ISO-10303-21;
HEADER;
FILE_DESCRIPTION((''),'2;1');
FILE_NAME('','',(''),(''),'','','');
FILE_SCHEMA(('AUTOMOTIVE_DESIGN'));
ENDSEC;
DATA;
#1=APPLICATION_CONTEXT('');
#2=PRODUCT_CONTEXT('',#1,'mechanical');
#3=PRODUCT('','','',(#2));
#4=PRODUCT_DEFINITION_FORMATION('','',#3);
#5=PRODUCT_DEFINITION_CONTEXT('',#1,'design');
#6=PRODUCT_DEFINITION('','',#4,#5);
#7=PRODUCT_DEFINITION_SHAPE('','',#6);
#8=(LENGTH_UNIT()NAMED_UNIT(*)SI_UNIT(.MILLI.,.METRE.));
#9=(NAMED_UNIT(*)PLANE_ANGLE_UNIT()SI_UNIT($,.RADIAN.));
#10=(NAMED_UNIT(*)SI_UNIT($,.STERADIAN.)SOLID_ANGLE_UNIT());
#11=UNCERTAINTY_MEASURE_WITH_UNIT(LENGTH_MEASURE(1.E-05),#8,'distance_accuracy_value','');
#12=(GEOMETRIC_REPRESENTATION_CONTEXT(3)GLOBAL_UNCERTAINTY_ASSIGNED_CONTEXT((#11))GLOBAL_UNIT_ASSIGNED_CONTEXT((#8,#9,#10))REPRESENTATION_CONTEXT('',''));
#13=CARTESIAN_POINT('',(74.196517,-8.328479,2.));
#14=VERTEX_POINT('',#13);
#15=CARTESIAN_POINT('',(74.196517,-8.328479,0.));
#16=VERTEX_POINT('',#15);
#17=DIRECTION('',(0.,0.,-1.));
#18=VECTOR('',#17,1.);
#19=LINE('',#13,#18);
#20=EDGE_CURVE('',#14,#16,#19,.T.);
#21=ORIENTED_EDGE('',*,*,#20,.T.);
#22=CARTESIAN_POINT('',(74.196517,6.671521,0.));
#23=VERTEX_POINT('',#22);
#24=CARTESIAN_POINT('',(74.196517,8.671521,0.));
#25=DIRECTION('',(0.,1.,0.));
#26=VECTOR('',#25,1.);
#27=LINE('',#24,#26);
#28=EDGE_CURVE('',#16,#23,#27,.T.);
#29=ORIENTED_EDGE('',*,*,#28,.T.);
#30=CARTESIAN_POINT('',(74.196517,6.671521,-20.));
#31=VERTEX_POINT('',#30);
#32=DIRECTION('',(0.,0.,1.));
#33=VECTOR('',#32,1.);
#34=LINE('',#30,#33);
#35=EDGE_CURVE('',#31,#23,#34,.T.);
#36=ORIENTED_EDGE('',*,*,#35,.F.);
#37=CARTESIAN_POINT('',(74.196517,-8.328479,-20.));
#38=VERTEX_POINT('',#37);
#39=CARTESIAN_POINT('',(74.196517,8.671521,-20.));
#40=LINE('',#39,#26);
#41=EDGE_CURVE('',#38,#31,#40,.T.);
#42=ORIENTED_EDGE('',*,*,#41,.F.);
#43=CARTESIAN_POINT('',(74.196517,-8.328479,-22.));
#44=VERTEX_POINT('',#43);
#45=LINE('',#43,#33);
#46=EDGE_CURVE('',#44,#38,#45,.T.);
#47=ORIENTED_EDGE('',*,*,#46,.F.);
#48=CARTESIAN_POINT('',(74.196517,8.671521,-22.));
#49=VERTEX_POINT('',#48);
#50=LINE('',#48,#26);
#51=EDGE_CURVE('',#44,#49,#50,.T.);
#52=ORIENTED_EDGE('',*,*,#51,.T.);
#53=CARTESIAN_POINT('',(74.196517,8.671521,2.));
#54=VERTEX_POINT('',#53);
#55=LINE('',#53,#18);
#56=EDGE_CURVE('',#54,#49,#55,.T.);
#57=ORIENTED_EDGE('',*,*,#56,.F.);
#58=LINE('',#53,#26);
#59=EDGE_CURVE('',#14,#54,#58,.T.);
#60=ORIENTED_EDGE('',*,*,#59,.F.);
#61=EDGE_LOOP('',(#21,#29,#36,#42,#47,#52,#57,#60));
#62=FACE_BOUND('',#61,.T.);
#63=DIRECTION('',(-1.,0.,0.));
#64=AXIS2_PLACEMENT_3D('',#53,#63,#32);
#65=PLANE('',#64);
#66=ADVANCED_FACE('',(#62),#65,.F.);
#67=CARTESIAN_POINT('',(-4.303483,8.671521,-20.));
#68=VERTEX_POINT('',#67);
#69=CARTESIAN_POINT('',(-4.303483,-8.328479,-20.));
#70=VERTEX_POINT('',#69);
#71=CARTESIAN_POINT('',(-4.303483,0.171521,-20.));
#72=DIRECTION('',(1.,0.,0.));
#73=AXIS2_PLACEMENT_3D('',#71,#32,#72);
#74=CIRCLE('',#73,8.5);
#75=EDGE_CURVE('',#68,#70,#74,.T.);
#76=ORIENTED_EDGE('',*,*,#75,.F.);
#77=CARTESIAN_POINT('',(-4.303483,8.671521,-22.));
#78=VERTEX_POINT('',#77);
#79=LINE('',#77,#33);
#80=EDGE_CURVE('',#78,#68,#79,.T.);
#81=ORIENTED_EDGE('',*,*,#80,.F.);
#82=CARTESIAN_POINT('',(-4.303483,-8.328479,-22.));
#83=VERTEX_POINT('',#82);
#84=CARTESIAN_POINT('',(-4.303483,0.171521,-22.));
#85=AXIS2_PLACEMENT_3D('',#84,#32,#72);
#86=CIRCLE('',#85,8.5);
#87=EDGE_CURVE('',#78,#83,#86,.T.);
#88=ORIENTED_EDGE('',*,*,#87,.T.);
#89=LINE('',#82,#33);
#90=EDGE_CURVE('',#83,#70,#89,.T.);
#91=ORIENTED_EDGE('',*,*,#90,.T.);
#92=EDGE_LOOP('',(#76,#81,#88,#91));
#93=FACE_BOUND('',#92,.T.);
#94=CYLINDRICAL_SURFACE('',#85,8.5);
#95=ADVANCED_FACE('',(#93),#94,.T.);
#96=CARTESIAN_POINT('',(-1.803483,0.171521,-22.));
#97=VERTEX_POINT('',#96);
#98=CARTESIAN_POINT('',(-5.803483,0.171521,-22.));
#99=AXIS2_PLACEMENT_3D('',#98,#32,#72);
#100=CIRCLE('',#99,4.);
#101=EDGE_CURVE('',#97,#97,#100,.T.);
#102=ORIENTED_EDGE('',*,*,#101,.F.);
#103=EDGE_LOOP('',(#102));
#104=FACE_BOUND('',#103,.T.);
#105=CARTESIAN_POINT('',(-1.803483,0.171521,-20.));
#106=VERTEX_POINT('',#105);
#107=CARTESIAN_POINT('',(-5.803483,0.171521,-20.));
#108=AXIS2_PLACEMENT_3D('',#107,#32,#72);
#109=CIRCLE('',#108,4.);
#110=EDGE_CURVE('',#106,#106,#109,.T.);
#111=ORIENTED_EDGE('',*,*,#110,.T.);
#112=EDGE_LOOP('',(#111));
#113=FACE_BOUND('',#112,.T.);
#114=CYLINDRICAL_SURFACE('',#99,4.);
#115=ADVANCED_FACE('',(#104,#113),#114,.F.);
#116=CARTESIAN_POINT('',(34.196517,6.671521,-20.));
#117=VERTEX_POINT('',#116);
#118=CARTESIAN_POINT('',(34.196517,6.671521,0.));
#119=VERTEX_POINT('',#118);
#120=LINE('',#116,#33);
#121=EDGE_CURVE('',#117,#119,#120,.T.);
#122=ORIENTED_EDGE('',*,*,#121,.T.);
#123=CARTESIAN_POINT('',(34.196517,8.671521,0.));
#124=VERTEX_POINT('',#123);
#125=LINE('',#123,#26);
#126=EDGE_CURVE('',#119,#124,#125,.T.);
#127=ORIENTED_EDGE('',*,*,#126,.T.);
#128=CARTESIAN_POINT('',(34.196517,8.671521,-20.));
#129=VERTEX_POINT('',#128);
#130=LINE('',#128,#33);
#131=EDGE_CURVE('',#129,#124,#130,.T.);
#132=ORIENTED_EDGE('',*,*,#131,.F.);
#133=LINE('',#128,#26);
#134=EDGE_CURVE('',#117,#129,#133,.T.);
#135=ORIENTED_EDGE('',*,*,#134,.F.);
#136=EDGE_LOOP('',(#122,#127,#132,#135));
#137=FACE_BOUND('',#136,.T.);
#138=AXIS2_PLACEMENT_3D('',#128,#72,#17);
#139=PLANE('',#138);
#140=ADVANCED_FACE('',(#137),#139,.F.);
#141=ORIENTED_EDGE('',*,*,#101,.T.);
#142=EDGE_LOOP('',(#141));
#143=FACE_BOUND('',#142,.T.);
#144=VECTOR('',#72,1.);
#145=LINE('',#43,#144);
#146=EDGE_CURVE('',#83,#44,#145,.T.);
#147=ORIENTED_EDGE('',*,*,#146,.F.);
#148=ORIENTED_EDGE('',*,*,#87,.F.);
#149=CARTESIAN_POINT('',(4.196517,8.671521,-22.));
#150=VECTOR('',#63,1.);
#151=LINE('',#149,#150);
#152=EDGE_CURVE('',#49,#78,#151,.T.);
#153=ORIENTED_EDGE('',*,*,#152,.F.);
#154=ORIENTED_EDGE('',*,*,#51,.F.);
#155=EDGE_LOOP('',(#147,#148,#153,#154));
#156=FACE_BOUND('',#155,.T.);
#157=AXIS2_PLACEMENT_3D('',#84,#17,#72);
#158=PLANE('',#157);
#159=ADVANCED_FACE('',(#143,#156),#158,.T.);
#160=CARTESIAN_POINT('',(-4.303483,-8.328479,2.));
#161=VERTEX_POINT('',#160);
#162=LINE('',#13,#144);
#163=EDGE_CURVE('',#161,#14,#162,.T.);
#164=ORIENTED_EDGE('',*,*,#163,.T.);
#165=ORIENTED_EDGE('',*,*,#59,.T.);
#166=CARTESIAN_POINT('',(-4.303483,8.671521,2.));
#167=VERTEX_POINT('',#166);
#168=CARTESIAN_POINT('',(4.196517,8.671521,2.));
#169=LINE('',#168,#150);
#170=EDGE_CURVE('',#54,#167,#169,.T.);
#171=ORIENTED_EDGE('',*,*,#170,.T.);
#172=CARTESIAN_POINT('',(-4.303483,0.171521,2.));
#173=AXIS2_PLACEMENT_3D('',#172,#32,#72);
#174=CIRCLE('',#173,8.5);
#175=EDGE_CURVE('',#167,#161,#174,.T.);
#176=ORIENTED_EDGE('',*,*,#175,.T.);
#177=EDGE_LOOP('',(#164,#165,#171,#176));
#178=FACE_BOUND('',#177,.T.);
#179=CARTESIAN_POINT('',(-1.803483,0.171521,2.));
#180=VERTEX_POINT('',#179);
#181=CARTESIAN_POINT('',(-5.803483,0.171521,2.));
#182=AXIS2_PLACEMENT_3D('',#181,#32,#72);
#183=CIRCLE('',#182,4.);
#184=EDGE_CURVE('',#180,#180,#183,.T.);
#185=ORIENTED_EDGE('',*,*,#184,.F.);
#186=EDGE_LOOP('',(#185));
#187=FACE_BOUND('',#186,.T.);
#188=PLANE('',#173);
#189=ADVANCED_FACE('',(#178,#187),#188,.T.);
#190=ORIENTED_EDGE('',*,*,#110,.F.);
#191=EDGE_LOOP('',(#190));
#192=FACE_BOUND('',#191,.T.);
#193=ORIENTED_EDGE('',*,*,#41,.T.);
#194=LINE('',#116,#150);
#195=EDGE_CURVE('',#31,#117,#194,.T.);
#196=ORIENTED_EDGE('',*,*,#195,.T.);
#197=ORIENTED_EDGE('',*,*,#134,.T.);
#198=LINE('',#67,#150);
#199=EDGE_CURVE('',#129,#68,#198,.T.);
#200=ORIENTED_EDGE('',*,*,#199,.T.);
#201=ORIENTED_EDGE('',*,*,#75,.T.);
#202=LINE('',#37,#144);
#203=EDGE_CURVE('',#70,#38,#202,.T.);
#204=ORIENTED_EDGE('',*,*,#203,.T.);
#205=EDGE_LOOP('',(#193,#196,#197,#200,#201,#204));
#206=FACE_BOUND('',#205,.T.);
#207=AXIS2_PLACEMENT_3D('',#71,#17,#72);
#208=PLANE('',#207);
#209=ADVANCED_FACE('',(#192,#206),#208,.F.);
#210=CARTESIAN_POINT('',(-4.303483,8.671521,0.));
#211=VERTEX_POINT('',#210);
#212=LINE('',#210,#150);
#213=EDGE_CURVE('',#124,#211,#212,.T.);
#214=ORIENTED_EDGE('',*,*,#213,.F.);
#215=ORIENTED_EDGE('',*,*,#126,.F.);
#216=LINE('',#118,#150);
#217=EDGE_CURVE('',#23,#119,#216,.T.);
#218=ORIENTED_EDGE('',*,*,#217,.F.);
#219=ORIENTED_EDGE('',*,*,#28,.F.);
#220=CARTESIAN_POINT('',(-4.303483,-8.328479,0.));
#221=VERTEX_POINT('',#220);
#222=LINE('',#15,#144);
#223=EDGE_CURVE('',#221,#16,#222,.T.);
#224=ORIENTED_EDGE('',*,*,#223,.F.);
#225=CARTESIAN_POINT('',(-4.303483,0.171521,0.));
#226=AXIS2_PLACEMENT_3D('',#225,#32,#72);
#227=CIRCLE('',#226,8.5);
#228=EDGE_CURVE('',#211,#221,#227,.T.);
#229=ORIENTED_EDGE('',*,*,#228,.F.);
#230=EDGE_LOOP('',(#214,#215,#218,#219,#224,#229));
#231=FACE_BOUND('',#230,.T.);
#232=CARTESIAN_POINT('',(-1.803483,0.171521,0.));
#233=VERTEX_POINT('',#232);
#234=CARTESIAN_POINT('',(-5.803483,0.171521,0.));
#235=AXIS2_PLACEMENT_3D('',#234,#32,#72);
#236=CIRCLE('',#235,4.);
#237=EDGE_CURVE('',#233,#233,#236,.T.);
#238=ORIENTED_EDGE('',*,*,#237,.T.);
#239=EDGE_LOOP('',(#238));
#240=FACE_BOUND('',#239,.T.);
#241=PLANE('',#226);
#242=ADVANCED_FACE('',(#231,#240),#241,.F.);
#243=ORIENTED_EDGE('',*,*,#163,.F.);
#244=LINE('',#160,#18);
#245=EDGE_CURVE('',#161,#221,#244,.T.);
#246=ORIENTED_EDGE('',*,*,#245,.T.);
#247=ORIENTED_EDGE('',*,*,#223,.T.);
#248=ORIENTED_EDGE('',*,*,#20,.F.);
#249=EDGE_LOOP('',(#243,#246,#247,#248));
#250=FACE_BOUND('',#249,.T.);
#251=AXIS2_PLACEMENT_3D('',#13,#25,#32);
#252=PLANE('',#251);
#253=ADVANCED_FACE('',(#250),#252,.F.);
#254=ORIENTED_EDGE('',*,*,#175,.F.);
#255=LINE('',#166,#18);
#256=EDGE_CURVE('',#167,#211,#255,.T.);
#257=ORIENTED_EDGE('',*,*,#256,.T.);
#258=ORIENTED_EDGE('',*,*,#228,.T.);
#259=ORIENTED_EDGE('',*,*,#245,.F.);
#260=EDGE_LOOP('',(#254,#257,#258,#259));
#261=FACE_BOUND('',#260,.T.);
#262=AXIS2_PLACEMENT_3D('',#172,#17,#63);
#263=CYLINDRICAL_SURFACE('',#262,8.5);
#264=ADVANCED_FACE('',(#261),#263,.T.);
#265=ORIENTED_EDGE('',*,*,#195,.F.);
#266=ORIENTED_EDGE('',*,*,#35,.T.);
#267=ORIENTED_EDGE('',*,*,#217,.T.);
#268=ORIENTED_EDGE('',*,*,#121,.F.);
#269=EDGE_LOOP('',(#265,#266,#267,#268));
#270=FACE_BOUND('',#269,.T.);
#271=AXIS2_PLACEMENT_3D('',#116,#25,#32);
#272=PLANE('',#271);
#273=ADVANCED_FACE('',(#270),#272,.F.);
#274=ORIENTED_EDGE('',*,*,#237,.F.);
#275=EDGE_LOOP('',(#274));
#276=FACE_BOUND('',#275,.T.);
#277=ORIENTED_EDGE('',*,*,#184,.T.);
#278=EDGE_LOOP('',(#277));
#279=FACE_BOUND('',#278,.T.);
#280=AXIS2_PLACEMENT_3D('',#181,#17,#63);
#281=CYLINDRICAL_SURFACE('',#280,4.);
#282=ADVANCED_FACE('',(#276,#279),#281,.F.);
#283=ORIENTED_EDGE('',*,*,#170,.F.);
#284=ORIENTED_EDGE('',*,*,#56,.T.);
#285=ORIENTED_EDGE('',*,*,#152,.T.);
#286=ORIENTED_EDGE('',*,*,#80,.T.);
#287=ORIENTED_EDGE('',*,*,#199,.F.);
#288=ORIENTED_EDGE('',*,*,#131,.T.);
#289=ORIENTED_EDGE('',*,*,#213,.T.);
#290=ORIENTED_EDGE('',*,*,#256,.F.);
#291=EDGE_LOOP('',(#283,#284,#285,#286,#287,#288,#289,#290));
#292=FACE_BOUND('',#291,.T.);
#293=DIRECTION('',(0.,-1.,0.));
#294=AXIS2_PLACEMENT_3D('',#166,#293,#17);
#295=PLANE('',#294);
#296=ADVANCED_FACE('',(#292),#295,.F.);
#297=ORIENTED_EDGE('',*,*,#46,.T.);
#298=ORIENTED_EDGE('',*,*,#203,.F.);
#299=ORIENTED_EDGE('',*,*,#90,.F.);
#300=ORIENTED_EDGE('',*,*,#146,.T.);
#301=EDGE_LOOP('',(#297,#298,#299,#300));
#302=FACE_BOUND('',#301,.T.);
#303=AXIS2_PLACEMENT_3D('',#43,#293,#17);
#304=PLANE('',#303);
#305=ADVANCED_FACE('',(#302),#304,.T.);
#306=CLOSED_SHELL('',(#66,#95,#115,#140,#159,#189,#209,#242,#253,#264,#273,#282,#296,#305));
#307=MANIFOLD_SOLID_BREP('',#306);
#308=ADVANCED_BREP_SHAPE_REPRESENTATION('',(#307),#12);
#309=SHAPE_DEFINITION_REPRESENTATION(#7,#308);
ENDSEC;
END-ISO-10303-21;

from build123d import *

# Parameters (mm, degrees)
SKETCH_1_R      = 4
EXTRUDE_1_DEPTH = 2
SKETCH_2_W      = 40
SKETCH_2_H      = 2
EXTRUDE_2_DEPTH = 20


with BuildPart() as part:
    # 草图1 → 凸台-拉伸1 (new body)
    with BuildSketch(Plane.XY):
        with BuildLine():
            Line((-4.303483184, 8.671520648), (4.196516816, 8.671520648))
            Line((4.196516816, 8.671520648), (74.196516816, 8.671520648))
            Line((74.196516816, 8.671520648), (74.196516816, -8.328479352))
            Line((74.196516816, -8.328479352), (-4.303483184, -8.328479352))
            ThreePointArc((-4.303483184, -8.328479352), (-12.803483184, 0.171520648), (-4.303483184, 8.671520648))
        make_face()
        with Locations((-5.803483184, 0.171520648)):
            Circle(SKETCH_1_R, mode=Mode.SUBTRACT)
    extrude_1 = extrude(amount=EXTRUDE_1_DEPTH)

    # 草图2 → 凸台-拉伸2 (add)
    with BuildSketch(Plane(origin=(0, 0, 0), x_dir=(-1, 0, 0), z_dir=(0, 0, -1))):
        with Locations((-54.196516816, 7.671520648)):
            Rectangle(SKETCH_2_W, SKETCH_2_H)
    extrude(amount=EXTRUDE_2_DEPTH)

    # 镜向1: 凸台-拉伸1 across plane
    add(extrude_1.mirror(Plane(origin=(0, 0, -10), x_dir=(1, 0, 0), z_dir=(0, 0, -1))))


solid = part.part
